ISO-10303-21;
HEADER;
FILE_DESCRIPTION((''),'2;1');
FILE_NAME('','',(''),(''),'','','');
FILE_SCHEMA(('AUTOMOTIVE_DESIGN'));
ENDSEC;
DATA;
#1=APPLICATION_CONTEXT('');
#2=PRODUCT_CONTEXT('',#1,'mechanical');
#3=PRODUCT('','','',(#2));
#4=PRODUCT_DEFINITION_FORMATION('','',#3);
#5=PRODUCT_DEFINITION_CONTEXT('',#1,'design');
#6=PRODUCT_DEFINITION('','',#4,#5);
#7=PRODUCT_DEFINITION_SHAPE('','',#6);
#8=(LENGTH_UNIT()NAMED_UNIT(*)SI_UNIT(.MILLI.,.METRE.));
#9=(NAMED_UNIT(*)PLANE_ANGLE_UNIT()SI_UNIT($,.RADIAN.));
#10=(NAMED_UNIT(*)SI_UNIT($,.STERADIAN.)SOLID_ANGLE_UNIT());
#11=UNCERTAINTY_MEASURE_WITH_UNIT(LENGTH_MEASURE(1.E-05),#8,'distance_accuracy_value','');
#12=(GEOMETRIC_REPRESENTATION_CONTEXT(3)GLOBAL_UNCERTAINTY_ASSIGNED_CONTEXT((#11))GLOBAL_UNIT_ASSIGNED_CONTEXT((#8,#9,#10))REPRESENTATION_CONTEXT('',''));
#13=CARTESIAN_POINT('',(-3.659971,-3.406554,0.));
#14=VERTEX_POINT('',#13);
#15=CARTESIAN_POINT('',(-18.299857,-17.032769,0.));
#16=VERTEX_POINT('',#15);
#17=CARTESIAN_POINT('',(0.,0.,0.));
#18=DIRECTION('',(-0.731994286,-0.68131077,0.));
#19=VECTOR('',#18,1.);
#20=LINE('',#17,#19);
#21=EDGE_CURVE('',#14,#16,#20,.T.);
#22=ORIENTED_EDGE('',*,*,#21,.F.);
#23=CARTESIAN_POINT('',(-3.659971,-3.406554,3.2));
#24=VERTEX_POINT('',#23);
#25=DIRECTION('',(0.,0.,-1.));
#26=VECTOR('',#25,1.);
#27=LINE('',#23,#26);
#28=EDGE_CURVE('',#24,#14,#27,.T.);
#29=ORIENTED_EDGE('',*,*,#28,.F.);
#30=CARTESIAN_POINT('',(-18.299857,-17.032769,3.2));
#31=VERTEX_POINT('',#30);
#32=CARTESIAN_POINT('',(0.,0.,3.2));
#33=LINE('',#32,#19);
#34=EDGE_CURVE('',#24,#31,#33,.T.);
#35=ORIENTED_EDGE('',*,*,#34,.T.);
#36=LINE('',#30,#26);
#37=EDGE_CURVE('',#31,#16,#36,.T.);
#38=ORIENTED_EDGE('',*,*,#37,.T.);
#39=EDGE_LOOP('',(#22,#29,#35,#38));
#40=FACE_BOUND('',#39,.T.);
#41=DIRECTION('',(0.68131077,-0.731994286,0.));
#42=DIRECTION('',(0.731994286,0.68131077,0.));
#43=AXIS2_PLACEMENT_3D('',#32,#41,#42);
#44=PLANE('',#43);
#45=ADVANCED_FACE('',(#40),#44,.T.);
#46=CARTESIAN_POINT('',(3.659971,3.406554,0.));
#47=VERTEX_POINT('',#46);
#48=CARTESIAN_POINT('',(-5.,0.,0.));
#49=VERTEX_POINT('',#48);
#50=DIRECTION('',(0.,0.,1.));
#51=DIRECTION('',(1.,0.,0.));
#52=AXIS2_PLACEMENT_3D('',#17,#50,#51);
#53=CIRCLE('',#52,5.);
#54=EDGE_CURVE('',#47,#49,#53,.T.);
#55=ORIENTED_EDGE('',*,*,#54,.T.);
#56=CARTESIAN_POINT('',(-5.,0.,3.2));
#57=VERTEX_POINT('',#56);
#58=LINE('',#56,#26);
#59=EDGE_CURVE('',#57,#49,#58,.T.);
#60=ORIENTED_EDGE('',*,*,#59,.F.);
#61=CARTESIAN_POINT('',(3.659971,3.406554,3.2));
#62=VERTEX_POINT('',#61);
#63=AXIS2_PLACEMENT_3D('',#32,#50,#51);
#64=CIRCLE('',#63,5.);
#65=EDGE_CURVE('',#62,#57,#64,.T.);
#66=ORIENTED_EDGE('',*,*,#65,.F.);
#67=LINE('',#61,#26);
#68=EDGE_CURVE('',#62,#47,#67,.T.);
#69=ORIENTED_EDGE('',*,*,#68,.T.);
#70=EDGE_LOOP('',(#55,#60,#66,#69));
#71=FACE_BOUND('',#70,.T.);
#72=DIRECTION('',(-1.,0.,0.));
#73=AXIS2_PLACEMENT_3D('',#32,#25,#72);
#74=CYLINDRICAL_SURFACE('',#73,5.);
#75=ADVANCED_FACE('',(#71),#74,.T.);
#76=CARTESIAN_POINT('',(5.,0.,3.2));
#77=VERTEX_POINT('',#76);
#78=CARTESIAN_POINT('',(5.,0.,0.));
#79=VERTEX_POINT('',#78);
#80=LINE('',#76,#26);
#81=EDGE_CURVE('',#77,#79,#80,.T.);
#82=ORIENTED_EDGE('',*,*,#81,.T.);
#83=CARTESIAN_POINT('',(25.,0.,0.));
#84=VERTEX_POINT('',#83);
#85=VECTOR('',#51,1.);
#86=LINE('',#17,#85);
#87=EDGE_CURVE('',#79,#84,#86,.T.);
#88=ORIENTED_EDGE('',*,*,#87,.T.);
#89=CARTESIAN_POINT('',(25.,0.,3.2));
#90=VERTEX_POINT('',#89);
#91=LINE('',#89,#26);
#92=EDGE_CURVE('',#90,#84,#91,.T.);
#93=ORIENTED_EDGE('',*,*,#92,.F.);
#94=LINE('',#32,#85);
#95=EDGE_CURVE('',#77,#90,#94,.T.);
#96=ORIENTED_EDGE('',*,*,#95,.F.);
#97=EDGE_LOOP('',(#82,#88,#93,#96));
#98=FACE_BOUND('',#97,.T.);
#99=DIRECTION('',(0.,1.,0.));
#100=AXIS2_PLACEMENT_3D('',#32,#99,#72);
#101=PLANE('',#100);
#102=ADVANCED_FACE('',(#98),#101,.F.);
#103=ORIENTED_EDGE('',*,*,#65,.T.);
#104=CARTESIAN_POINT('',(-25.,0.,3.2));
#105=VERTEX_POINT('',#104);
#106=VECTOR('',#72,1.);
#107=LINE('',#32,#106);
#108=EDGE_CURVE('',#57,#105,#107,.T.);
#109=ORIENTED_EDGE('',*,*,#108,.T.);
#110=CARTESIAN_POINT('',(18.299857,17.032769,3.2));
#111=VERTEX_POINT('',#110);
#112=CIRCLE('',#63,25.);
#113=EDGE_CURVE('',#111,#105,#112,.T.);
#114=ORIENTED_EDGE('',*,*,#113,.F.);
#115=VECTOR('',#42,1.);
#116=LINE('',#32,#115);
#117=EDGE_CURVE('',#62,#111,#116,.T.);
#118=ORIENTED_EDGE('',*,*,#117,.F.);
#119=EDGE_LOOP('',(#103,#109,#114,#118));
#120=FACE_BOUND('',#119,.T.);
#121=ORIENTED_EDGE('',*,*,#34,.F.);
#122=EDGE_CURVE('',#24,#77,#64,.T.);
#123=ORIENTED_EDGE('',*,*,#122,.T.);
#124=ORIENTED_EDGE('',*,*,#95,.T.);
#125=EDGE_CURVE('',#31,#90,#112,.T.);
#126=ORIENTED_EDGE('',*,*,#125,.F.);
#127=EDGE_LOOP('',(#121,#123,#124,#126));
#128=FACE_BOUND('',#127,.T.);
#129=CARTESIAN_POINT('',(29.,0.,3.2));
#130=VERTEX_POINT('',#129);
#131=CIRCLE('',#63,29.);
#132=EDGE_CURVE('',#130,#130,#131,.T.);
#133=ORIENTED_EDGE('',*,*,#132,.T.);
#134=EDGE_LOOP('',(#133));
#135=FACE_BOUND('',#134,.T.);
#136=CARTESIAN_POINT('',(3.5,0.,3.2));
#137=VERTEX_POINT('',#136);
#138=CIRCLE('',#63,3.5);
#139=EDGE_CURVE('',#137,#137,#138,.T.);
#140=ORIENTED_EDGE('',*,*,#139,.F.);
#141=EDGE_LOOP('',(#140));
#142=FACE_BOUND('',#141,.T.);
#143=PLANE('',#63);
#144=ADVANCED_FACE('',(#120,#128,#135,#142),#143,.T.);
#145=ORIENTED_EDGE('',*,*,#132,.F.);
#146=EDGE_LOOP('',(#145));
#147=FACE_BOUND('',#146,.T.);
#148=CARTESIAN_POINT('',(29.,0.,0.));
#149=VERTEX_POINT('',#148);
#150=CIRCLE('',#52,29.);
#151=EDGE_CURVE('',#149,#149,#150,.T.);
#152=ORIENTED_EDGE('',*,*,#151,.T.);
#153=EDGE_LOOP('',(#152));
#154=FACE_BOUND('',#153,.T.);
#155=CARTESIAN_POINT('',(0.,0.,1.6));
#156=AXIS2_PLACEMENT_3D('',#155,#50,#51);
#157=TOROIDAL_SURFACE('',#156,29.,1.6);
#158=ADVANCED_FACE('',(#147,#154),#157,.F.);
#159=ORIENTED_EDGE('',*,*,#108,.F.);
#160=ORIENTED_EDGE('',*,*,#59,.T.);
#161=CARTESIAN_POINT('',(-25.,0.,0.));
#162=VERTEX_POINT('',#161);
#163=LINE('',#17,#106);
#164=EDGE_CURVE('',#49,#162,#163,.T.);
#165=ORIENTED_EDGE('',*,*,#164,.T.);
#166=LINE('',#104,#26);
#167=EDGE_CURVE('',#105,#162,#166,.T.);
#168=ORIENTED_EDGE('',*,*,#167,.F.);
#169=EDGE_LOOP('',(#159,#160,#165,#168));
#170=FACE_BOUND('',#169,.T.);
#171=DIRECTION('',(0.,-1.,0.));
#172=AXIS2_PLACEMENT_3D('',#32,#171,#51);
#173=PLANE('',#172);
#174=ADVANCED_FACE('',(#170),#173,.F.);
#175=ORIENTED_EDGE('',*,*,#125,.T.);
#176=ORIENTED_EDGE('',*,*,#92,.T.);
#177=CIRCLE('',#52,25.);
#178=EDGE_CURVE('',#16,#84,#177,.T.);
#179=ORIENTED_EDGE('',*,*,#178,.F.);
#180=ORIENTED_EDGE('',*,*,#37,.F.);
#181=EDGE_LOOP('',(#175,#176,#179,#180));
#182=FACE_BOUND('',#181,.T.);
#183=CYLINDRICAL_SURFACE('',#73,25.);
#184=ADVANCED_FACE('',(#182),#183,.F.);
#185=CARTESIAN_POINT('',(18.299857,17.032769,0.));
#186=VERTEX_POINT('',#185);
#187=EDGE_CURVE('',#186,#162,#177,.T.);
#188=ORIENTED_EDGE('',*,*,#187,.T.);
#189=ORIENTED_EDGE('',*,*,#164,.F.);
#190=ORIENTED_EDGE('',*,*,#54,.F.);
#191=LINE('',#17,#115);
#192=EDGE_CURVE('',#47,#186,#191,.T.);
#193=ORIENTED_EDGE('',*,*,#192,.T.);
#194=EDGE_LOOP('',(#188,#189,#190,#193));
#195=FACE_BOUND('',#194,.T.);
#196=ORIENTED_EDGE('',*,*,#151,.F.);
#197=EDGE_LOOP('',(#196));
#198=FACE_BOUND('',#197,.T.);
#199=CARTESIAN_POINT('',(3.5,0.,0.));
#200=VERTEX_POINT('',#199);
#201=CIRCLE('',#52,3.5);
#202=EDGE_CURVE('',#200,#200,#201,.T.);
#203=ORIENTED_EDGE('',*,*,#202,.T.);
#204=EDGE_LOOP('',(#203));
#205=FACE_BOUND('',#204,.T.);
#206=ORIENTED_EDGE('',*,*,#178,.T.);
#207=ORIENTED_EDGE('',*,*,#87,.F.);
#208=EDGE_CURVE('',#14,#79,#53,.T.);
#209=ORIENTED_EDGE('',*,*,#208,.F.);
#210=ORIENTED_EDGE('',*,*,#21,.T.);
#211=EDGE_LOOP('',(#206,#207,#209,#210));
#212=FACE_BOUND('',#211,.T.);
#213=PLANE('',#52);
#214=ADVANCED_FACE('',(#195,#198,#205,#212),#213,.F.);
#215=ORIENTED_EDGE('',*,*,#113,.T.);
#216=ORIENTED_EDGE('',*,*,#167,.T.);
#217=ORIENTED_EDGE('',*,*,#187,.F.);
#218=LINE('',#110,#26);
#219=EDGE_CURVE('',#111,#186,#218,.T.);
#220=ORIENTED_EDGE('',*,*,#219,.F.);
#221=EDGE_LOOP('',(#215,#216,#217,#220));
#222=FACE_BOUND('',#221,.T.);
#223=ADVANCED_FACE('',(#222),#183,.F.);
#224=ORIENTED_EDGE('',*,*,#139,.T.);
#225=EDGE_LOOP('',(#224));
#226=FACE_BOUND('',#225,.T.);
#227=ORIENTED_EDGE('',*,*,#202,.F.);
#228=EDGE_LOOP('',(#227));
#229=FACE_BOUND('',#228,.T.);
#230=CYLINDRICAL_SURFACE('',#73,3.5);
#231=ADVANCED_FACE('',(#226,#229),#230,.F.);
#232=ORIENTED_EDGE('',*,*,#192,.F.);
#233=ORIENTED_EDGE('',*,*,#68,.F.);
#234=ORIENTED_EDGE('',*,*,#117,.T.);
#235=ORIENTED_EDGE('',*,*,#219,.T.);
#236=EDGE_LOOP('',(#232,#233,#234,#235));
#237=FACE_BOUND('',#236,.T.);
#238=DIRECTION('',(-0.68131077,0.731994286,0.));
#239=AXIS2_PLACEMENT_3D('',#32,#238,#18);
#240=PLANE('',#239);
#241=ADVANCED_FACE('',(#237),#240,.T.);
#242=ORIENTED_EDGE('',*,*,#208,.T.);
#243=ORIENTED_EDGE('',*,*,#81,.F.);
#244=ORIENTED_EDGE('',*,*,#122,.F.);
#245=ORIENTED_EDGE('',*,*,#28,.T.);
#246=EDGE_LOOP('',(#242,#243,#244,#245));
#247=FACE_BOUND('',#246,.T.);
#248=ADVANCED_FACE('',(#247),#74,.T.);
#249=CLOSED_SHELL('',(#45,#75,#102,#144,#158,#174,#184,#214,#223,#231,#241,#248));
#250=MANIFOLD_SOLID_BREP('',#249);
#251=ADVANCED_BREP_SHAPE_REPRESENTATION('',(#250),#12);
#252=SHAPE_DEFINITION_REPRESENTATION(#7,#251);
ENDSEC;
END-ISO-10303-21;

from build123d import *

# Parameters (mm, degrees)
SKETCH1_R           = 29
SKETCH1_R_2         = 25
SKETCH1_R_3         = 5
SKETCH1_R_4         = 3.5
BOSS_EXTRUDE3_DEPTH = 3.2


with BuildPart() as part:
    # Sketch1 → Boss-Extrude3 (new body)
    # profile 1 of 4: a face of its own
    with BuildSketch(Plane.XY):
        Circle(SKETCH1_R)
        Circle(SKETCH1_R_2, mode=Mode.SUBTRACT)
    # profile 2 of 4: a face of its own
    with BuildSketch(Plane.XY):
        with BuildLine():
            Line((18.29985715, 17.032769249), (3.65997143, 3.40655385))
            ThreePointArc((3.65997143, 3.40655385), (4.652948374, 1.830320034), (5, 0))
            Line((5, 0), (25, 0))
            ThreePointArc((25, 0), (23.264741872, 9.151600168), (18.29985715, 17.032769249))
        make_face()
    # profile 3 of 4: a face of its own
    with BuildSketch(Plane.XY):
        with BuildLine():
            ThreePointArc((-3.65997143, -3.40655385), (-4.652948374, -1.830320034), (-5, 0))
            Line((-5, 0), (-25, 0))
            ThreePointArc((-25, 0), (-23.264741872, -9.151600168), (-18.29985715, -17.032769249))
            Line((-18.29985715, -17.032769249), (-3.65997143, -3.40655385))
        make_face()
    # profile 4 of 4: a face of its own
    with BuildSketch(Plane.XY):
        Circle(SKETCH1_R_3)
        Circle(SKETCH1_R_4, mode=Mode.SUBTRACT)
    extrude(amount=BOSS_EXTRUDE3_DEPTH)

    # Sketch6 → Cut-Revolve4 (revolve, cut)
    with BuildSketch(Plane(origin=(0, 0, 0), x_dir=(0, 0, -1), z_dir=(1, 0, 0)), mode=Mode.PRIVATE) as cut_revolve4_sk:
        with BuildLine():
            Line((0, 29), (-3.2, 29))
            ThreePointArc((-3.2, 29), (-1.6, 27.4), (0, 29))
        make_face()
    revolve(cut_revolve4_sk.sketch.rotate(Axis((0, 0, 3.2), (0, 0, -1)), 90), axis=Axis((0, 0, 3.2), (0, 0, -1)), mode=Mode.SUBTRACT)


solid = part.part
